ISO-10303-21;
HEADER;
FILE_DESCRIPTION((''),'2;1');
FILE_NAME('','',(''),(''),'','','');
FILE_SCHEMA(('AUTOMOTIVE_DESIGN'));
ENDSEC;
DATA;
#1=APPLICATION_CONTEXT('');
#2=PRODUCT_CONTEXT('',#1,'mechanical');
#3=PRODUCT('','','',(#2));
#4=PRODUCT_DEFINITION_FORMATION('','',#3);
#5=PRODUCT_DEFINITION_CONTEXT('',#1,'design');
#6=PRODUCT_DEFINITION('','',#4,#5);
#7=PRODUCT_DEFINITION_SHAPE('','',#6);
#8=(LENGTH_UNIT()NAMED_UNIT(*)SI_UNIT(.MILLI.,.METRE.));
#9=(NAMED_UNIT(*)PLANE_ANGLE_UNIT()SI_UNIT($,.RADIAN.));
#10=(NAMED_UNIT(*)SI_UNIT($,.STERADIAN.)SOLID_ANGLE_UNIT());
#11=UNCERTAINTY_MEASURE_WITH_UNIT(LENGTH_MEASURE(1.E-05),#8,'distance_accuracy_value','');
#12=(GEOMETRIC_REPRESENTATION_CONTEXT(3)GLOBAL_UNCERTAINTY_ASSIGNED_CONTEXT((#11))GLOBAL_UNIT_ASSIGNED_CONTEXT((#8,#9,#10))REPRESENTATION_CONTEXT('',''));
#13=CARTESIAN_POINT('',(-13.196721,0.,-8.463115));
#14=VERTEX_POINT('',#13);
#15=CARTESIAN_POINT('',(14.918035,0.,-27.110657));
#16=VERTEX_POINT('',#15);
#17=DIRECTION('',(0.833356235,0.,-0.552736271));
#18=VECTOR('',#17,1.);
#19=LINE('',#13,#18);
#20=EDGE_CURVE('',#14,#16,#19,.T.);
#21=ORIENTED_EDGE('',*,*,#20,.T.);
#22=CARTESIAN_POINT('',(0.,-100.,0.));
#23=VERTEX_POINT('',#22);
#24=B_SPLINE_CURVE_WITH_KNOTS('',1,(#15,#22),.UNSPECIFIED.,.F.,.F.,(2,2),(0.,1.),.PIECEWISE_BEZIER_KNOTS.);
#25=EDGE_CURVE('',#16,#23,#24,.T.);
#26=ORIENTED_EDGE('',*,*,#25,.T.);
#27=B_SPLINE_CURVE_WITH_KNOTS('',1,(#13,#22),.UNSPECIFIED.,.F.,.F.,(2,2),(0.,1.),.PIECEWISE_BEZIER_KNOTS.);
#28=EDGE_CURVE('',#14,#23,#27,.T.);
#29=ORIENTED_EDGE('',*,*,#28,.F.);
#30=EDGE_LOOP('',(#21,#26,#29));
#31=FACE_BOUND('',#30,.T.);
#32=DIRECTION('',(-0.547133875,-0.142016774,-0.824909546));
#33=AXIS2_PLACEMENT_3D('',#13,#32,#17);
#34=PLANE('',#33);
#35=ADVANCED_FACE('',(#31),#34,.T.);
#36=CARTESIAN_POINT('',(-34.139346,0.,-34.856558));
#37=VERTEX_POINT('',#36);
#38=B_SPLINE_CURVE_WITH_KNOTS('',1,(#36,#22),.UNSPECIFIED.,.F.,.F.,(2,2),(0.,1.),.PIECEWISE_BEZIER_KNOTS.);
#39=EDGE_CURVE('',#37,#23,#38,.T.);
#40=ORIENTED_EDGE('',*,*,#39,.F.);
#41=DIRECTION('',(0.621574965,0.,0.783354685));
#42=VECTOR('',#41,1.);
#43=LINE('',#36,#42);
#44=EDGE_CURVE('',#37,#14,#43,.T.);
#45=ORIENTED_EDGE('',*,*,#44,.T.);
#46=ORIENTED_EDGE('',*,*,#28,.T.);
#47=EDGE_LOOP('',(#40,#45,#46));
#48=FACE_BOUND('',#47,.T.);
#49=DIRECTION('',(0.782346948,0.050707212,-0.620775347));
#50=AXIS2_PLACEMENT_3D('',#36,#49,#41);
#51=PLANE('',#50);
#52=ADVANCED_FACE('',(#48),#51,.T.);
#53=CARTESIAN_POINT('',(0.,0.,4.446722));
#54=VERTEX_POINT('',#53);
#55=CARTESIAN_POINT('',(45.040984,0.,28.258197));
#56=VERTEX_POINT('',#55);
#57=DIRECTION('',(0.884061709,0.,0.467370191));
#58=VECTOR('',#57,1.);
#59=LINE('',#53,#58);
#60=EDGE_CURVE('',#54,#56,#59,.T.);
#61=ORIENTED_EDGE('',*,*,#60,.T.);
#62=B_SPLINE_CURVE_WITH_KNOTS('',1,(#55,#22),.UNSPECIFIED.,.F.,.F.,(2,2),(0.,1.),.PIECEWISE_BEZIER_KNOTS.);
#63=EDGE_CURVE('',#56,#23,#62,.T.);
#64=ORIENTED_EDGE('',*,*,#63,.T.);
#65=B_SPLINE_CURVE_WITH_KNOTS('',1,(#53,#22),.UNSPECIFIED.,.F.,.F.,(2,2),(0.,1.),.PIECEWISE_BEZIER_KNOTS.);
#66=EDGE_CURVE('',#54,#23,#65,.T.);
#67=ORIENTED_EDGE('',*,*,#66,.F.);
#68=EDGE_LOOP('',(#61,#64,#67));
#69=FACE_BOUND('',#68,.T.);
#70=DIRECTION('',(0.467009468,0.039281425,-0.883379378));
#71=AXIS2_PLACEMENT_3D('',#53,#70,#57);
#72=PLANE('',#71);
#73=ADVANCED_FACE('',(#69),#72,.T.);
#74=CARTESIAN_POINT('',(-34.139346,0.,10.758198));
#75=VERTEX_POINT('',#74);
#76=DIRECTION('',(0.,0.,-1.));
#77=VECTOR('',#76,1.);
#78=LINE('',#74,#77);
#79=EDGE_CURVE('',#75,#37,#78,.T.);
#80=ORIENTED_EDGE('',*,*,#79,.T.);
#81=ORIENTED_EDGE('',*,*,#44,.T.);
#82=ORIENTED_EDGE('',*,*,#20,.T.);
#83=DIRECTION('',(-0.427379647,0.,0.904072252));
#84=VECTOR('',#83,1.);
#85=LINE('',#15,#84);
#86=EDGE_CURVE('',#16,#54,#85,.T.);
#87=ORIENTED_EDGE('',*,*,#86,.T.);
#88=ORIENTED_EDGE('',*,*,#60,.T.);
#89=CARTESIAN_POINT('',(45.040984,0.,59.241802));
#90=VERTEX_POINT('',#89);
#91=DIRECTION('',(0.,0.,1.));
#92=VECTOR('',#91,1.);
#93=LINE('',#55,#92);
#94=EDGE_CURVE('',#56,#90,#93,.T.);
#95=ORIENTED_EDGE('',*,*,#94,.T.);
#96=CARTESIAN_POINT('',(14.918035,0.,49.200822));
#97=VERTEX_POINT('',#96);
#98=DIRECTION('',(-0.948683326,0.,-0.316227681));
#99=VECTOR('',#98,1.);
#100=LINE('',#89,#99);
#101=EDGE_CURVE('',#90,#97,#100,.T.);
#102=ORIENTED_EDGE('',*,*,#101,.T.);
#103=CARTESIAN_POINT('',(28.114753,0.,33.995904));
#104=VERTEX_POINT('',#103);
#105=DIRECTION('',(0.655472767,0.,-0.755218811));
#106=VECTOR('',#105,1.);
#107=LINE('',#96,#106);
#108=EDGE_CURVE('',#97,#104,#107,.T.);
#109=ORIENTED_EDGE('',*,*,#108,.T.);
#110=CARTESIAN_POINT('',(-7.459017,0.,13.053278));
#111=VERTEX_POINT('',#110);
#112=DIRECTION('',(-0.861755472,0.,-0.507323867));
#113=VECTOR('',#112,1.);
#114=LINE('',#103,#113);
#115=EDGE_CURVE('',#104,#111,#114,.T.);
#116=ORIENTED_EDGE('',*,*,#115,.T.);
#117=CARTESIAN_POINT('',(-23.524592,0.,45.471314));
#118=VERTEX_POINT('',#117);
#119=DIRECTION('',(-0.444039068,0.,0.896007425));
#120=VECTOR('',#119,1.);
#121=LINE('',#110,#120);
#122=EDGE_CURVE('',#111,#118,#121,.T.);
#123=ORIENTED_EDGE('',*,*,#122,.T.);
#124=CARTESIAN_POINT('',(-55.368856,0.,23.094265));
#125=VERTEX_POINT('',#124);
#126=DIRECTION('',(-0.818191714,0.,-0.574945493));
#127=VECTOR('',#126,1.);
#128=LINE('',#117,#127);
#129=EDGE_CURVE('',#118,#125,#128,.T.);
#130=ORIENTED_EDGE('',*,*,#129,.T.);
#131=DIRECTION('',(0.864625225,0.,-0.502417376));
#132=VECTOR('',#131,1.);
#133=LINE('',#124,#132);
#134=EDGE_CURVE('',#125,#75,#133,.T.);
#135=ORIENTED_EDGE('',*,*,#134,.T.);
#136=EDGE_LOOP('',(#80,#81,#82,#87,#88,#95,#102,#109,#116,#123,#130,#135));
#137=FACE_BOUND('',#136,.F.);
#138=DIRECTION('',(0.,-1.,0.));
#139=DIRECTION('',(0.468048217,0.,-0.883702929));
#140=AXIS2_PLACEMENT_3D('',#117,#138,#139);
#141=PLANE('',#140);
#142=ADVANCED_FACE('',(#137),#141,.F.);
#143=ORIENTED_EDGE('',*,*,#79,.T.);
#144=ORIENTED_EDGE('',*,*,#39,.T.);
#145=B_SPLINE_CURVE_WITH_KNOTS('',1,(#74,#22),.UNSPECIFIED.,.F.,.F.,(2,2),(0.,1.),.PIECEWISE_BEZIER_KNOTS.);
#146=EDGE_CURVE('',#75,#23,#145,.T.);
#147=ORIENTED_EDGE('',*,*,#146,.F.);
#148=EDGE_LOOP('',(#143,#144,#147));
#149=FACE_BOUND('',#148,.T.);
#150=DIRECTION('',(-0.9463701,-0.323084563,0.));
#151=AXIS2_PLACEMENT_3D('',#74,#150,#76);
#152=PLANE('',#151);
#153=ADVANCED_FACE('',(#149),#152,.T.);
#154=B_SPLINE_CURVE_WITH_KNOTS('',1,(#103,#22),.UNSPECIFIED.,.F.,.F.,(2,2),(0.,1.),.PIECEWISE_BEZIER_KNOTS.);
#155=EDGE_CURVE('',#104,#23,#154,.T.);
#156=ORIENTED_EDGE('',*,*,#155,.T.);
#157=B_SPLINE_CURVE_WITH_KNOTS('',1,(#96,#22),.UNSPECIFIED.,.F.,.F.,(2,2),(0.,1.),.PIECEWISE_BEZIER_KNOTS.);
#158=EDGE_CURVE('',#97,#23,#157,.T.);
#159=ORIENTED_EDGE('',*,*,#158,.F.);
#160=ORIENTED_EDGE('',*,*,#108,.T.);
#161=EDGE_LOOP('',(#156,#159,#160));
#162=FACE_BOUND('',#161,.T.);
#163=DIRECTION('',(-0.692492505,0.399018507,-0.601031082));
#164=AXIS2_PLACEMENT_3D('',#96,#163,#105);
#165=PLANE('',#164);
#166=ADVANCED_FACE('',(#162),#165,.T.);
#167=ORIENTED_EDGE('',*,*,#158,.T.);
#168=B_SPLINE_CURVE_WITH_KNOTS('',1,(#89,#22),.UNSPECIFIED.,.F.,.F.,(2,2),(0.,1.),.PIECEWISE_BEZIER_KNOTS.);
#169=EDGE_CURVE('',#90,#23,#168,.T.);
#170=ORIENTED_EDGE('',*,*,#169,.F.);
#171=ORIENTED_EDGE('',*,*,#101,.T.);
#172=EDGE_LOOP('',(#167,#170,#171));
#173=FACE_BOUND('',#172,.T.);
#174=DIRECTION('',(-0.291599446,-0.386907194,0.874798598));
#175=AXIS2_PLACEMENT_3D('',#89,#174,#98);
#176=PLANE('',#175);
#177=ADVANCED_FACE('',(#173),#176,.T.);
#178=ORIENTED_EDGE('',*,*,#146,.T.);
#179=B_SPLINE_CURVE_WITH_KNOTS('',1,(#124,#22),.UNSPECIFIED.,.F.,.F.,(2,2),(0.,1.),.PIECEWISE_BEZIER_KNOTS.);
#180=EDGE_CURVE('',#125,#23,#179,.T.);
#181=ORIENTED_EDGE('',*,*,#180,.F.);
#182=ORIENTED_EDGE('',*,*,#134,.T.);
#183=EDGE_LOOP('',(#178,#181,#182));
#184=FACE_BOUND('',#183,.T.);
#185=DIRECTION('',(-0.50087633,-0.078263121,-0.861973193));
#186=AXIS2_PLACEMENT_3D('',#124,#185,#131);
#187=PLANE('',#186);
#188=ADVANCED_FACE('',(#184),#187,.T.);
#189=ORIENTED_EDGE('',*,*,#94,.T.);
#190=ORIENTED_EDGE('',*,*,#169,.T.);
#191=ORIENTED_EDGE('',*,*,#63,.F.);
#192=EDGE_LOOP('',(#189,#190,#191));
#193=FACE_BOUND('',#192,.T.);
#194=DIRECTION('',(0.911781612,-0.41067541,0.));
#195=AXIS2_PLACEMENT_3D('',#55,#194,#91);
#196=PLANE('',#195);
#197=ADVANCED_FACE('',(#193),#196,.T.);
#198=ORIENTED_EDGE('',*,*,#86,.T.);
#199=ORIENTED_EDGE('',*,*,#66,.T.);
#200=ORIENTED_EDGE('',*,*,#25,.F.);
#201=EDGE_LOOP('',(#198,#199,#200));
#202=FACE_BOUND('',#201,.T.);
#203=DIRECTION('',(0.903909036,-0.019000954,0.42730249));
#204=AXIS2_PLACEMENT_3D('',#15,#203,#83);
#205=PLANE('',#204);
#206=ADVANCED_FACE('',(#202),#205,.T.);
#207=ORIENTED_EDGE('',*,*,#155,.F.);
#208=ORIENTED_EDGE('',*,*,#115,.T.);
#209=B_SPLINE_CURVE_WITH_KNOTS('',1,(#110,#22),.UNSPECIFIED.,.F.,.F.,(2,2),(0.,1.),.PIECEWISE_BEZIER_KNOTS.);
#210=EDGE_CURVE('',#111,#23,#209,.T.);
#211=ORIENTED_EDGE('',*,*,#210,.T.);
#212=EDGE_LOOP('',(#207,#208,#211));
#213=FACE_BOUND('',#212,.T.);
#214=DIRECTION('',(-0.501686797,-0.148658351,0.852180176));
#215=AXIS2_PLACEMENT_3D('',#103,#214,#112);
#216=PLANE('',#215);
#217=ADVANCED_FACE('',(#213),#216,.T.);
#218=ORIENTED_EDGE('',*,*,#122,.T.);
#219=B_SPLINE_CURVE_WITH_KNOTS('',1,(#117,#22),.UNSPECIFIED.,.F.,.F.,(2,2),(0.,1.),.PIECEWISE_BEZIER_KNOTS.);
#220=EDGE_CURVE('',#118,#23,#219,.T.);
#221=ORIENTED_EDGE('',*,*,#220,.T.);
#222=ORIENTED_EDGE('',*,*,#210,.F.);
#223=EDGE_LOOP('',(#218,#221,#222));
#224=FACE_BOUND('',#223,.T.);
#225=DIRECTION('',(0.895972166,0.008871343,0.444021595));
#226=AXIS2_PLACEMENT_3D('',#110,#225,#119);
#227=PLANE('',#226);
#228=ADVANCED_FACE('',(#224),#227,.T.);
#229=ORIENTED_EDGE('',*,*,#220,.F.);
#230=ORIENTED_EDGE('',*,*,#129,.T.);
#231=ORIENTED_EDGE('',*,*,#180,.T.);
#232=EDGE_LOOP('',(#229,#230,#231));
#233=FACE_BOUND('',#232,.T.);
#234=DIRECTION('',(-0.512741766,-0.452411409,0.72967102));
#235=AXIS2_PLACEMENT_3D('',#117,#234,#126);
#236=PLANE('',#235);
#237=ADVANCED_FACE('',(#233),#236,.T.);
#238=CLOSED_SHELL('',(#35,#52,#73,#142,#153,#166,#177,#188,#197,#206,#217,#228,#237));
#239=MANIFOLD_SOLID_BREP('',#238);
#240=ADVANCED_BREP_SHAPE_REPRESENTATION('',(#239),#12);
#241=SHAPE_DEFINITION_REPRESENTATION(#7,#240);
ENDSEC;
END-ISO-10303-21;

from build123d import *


with BuildPart() as f3:
    # F0 (on Front) → F3 section 0
    with BuildSketch(Plane.XZ, mode=Mode.PRIVATE) as f3_s0:
        Polygon((-23.524592, 45.471314), (-55.368856, 23.094265), (-34.139346, 10.758198), (-34.139346, -5.020492), (-34.139346, -34.856558), (-13.196721, -8.463115), (14.918035, -27.110657), (0, 4.446722), (45.040984, 28.258197), (45.040984, 59.241802), (14.918035, 49.200822), (28.114753, 33.995904), (-7.459017, 13.053278), align=None)
    loft([f3_s0.sketch, Vertex(0, -100, 0)])


solid = f3.part
